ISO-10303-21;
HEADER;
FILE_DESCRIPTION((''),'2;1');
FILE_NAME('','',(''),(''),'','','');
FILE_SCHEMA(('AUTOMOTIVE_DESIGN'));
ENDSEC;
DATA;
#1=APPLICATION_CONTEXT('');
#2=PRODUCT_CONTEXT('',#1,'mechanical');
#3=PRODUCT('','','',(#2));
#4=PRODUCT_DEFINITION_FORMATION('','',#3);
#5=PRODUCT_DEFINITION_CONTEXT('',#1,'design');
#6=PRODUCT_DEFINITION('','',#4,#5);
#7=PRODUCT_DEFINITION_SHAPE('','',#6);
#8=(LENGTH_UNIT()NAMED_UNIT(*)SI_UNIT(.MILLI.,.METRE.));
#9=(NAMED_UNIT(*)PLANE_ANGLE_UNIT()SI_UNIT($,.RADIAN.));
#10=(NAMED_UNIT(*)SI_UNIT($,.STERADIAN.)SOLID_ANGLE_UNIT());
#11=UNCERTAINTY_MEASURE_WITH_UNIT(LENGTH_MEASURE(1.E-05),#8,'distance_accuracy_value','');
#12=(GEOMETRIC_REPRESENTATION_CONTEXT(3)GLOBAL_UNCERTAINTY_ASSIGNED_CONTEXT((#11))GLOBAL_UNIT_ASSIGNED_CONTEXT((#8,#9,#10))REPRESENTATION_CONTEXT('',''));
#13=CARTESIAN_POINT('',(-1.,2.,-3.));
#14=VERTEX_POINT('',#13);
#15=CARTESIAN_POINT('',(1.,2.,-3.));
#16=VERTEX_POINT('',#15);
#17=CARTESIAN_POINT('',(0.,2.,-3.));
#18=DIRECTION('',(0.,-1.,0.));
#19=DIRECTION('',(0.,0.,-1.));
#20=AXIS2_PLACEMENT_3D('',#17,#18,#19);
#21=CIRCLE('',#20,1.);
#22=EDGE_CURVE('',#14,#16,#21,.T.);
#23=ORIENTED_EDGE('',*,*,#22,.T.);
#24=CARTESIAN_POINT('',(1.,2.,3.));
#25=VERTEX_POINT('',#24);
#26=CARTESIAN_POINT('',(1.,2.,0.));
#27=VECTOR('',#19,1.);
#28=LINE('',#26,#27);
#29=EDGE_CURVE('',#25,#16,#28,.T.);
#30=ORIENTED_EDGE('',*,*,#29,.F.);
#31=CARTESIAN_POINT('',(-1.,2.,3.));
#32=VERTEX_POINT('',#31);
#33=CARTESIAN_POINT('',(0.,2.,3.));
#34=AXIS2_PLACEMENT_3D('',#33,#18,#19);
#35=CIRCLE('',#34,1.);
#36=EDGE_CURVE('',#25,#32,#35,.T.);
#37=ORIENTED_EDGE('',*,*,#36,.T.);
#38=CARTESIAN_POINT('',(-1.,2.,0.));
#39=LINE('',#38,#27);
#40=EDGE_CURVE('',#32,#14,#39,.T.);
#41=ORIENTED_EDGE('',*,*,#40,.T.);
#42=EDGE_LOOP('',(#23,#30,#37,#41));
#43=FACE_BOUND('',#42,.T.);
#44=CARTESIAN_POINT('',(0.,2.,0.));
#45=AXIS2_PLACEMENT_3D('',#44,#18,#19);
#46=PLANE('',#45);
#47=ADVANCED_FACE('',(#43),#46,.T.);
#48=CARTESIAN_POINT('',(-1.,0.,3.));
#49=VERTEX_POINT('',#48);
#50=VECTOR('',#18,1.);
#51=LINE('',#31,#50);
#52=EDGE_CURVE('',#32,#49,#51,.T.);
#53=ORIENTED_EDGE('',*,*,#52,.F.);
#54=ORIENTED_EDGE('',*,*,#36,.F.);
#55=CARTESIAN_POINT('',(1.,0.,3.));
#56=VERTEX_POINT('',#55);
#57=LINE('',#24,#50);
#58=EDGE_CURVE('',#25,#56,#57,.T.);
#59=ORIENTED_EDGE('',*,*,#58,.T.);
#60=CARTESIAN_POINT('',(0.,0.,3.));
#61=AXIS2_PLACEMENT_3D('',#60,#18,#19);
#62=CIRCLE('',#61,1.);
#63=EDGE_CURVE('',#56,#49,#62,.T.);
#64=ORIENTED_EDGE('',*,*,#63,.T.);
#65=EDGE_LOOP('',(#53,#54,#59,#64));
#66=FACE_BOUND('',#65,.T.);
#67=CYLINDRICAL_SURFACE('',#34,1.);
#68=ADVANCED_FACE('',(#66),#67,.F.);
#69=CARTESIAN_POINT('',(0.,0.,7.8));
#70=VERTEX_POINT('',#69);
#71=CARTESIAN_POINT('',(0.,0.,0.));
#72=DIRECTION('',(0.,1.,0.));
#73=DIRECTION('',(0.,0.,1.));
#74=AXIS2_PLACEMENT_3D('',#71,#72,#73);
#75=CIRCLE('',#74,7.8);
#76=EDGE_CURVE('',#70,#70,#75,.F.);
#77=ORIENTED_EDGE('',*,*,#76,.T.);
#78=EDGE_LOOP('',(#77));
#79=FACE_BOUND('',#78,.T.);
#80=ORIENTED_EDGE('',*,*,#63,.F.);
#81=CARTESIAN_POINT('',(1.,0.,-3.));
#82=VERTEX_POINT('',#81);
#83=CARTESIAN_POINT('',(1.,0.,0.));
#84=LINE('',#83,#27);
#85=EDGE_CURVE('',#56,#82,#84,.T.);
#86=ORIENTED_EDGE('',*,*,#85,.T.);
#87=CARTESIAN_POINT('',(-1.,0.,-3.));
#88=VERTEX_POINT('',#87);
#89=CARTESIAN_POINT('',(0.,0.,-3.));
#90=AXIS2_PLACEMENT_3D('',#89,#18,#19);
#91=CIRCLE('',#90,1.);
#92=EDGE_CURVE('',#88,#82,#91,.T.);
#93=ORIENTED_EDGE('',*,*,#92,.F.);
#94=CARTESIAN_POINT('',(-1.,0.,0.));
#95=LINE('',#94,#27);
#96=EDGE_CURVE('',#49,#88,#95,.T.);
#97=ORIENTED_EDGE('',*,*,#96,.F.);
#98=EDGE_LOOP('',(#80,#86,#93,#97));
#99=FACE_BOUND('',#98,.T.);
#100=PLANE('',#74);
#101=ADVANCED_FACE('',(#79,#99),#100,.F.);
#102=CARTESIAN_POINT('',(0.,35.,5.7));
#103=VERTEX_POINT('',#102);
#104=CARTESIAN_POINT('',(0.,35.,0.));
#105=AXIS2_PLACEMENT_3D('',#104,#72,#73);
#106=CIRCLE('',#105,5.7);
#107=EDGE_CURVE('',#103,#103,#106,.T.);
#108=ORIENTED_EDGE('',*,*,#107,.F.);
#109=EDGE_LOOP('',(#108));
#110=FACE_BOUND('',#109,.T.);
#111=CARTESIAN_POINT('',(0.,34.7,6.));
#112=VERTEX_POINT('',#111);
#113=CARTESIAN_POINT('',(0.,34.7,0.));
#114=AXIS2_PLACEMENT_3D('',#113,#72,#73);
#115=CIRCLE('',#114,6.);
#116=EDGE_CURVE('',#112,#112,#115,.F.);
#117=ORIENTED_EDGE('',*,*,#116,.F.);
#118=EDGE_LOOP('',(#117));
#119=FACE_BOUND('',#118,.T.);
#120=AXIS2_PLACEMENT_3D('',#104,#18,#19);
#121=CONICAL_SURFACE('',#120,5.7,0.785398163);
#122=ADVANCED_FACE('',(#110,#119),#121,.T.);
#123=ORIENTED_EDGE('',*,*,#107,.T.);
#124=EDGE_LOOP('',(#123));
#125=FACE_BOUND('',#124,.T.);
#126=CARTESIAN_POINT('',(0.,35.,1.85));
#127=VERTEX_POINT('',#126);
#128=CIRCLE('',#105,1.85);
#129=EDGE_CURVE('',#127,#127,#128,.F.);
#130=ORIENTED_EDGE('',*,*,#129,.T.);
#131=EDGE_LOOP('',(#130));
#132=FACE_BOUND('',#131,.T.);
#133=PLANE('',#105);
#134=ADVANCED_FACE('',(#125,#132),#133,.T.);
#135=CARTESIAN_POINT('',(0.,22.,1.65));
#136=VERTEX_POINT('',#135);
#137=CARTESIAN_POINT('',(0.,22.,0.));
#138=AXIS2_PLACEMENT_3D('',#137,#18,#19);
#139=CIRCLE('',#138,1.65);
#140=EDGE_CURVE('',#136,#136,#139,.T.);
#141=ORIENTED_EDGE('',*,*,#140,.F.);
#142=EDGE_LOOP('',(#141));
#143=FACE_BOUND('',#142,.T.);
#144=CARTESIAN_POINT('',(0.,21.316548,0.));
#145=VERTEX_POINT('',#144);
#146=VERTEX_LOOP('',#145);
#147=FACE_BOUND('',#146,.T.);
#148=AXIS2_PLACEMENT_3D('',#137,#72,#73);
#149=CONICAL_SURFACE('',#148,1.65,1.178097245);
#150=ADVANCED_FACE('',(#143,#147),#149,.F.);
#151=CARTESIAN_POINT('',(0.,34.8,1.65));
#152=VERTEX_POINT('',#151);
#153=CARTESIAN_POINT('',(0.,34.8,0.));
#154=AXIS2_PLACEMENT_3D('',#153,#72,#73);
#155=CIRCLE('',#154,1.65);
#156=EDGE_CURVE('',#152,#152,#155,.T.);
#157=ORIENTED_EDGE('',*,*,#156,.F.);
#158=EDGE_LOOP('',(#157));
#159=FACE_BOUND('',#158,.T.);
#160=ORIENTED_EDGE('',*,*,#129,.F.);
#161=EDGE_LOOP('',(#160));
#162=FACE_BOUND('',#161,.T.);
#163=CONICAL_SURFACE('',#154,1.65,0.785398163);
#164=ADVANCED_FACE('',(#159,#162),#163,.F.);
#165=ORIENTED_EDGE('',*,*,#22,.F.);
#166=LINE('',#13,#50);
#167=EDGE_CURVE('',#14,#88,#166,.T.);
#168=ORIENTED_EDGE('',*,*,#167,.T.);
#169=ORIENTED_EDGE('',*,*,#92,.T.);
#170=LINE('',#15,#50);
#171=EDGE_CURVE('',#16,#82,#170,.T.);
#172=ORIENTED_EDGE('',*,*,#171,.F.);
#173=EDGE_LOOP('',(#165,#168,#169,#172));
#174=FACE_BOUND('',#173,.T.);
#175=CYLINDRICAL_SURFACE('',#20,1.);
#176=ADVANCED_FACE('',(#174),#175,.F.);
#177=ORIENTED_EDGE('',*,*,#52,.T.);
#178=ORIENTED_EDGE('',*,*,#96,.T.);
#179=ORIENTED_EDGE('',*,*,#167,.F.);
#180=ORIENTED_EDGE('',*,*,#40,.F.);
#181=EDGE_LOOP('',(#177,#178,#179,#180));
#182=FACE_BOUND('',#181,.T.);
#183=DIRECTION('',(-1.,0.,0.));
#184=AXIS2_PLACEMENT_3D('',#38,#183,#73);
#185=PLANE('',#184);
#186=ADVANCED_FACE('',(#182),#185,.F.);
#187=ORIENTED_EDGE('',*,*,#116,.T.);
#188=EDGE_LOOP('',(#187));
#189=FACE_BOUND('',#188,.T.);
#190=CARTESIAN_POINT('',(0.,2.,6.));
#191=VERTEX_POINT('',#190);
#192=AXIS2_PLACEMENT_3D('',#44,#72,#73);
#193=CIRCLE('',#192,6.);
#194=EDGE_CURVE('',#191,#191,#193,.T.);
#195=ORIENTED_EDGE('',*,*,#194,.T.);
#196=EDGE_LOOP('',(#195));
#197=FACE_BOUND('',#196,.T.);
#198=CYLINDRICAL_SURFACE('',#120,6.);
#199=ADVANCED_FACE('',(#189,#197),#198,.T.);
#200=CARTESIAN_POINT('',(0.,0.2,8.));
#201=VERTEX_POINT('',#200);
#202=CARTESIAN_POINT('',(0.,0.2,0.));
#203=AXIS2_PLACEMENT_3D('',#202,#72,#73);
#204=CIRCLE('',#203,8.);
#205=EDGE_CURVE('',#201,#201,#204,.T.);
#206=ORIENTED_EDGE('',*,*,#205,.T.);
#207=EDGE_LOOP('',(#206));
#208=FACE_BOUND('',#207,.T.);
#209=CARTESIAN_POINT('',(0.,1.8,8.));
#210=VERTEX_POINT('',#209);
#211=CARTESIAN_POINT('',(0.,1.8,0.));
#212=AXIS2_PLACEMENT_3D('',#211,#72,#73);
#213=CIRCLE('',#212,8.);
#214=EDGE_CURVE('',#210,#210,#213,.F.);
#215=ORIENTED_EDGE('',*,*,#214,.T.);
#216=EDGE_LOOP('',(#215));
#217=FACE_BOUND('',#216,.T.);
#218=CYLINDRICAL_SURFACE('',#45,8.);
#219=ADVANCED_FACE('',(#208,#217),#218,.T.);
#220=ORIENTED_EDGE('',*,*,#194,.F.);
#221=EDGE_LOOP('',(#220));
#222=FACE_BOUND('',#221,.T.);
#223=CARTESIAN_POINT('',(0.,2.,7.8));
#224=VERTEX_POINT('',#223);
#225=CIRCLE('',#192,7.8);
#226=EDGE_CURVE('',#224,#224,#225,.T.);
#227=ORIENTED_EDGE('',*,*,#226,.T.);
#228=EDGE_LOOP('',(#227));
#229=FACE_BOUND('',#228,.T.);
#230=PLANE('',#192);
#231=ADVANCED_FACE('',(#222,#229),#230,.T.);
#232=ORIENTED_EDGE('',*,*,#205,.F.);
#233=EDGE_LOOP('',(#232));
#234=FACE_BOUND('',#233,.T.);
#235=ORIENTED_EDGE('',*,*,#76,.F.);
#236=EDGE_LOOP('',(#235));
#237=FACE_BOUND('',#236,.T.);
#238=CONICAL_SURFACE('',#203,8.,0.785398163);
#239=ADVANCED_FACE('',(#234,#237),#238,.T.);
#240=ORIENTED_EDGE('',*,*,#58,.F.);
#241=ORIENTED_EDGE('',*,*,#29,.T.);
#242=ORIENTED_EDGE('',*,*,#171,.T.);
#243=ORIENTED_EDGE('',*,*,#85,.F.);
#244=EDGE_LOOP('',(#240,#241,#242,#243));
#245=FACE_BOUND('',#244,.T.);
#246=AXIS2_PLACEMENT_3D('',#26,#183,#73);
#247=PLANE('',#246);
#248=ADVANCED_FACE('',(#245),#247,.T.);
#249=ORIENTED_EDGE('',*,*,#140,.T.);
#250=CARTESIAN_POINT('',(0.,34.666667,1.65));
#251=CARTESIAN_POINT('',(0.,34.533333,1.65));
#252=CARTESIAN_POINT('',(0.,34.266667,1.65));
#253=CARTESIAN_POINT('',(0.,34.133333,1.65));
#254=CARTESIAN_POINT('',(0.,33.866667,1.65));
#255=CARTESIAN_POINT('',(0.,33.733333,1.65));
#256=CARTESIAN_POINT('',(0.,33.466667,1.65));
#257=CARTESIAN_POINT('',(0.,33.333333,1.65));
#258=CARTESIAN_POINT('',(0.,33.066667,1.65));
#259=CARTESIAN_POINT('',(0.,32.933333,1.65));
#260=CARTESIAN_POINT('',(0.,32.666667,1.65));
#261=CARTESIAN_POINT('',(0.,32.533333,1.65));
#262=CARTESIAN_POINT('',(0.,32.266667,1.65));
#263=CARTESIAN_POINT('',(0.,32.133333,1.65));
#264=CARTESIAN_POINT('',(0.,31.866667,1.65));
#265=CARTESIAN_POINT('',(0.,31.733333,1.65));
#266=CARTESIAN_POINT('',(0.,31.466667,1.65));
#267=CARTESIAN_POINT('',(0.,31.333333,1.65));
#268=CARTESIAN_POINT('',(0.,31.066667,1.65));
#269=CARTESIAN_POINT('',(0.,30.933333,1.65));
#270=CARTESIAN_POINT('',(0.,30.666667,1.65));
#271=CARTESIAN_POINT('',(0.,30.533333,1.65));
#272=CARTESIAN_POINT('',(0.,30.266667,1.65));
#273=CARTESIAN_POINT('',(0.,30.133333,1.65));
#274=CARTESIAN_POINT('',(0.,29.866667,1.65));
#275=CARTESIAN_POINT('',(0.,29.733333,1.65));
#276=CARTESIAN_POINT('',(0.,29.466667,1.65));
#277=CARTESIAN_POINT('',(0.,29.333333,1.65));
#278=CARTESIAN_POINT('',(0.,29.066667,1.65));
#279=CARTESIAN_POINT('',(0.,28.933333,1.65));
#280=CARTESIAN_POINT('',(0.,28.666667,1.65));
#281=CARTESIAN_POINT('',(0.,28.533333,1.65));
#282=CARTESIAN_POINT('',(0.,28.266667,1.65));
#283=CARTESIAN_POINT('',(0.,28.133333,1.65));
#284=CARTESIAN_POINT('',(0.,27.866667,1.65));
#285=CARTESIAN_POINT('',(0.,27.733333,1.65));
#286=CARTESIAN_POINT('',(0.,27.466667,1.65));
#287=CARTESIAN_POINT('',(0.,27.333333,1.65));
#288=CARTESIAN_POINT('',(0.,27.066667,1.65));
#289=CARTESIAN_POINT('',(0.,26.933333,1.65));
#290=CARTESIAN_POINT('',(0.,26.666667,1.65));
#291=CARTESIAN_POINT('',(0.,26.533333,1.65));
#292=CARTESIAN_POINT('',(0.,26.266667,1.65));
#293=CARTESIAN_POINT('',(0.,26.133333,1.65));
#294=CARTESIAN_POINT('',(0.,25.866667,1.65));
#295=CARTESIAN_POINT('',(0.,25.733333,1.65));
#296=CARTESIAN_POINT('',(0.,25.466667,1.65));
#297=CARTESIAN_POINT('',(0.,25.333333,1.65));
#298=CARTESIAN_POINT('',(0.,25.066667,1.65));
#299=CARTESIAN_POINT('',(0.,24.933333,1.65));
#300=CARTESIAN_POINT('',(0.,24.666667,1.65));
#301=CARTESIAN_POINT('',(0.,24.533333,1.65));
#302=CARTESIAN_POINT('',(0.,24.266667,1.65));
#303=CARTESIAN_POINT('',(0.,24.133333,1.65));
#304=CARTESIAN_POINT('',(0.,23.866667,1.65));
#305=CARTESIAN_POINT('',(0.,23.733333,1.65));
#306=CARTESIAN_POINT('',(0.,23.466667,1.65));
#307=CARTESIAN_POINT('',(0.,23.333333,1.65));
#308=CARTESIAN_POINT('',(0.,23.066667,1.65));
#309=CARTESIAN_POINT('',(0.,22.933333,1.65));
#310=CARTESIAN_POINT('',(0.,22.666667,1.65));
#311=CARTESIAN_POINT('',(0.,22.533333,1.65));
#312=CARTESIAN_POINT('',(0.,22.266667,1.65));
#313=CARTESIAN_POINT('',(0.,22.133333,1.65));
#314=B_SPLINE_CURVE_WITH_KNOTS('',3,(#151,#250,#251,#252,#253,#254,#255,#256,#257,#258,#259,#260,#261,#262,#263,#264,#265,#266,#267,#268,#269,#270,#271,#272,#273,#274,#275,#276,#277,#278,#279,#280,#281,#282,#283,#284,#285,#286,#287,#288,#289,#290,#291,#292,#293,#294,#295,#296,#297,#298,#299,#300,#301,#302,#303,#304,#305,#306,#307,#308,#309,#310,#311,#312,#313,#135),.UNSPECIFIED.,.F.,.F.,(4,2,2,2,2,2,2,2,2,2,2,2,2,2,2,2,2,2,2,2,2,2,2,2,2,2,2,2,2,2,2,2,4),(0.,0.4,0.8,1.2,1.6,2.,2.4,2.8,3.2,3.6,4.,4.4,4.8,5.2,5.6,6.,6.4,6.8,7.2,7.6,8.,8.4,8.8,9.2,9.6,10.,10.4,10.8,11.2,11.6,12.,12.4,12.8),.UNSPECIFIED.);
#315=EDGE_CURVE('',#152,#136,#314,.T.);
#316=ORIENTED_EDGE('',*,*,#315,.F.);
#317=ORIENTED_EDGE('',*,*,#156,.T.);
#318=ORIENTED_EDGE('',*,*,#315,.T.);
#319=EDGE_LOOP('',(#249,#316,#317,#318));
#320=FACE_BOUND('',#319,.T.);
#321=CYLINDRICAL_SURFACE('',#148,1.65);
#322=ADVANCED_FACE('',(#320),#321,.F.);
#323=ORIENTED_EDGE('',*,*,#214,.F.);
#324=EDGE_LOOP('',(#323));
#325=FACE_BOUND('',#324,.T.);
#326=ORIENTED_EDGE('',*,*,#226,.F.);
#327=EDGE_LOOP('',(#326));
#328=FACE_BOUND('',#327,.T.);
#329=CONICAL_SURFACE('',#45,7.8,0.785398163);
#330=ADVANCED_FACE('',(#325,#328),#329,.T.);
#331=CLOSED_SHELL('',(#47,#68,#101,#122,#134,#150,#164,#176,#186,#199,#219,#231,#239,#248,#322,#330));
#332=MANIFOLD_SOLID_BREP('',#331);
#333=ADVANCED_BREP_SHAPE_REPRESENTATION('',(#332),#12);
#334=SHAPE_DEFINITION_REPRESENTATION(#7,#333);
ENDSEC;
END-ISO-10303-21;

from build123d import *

# Parameters (mm, degrees)
SKETCH_1_R          = 8
SKETCH_1_R_2        = 6
EXTRUDE_1_DEPTH     = 2
SKETCH_1_3_R        = 6
SKETCH_1_3_R_2      = 1.65
EXTRUDE_2_DEPTH     = 35
SKETCH_2_R          = 1
CUT_EXTRUDE_1_DEPTH = 2
CUT_EXTRUDE_START   = 35
SKETCH_1_4_R        = 1.65
CUT_EXTRUDE_2_DEPTH = 13
CHAMFER_1_SIZE      = 0.2
CHAMFER_2_SIZE      = 0.3


with BuildPart() as part:
    # 스케치1 → 보스-돌출1 (new body)
    with BuildSketch(Plane(origin=(0, 0, 0), x_dir=(1, 0, 0), z_dir=(0, 1, 0))):
        with Locations(Location((0, 0, 0), (0, 0, 270))):
            Circle(SKETCH_1_R)
        with Locations(Location((0, 0, 0), (0, 0, 270))):
            Circle(SKETCH_1_R_2, mode=Mode.SUBTRACT)
    extrude(amount=EXTRUDE_1_DEPTH)

    # 스케치1<3> → 보스-돌출2 (add)
    # profile 1 of 2: a face of its own
    with BuildSketch(Plane(origin=(0, 0, 0), x_dir=(1, 0, 0), z_dir=(0, 1, 0))):
        with Locations(Location((0, 0, 0), (0, 0, 270))):
            Circle(SKETCH_1_3_R)
        Circle(SKETCH_1_3_R_2, mode=Mode.SUBTRACT)
    # profile 2 of 2: a face of its own
    with BuildSketch(Plane(origin=(0, 0, 0), x_dir=(1, 0, 0), z_dir=(0, 1, 0))):
        Circle(SKETCH_1_3_R_2)
    extrude(amount=EXTRUDE_2_DEPTH)

    # 스케치2 → 컷-돌출1 (cut)
    with BuildSketch(Plane.XZ):
        with Locations((0, 3)):
            Circle(SKETCH_2_R)
        with BuildLine():
            ThreePointArc((1, 3), (0, 2), (-1, 3))
            Line((-1, 3), (-1, -3))
            ThreePointArc((-1, -3), (0, -2), (1, -3))
            Line((1, -3), (1, 3))
        make_face()
        with Locations((0, -3)):
            Circle(SKETCH_2_R)
    extrude(amount=-CUT_EXTRUDE_1_DEPTH, mode=Mode.SUBTRACT)

    # 스케치1<4> → 컷-돌출2 (cut)
    with BuildSketch(Plane(origin=(0, 0, 0), x_dir=(1, 0, 0), z_dir=(0, 1, 0)).offset(CUT_EXTRUDE_START)):
        with Locations(Location((0, 0, 0), (0, 0, 270))):
            Circle(SKETCH_1_4_R)
    extrude(amount=-CUT_EXTRUDE_2_DEPTH, mode=Mode.SUBTRACT)

    # 모따기1
    chamfer_1_edges = [part.edges().sort_by_distance(p)[0] for p in [
        (0, 2, -8),
        (0, 35, -1.65),
        (0, 0, -8),
    ]]
    chamfer(chamfer_1_edges, length=CHAMFER_1_SIZE)

    # 모따기2
    chamfer_2_edges = [part.edges().sort_by_distance(p)[0] for p in [
        (0, 35, -6),
    ]]
    chamfer(chamfer_2_edges, length=CHAMFER_2_SIZE)

    # 스케치3 → 컷-회전1 (revolve, cut)
    with BuildSketch(Plane.XY, mode=Mode.PRIVATE) as cut_revolve_1_sk:
        Polygon((-1.65, 22), (0, 21.316547622), (0, 22), align=None)
    revolve(cut_revolve_1_sk.sketch.rotate(Axis((0, -0.686408766, 0), (0, 1, 0)), 90), axis=Axis((0, -0.686408766, 0), (0, 1, 0)), mode=Mode.SUBTRACT)


solid = part.part
